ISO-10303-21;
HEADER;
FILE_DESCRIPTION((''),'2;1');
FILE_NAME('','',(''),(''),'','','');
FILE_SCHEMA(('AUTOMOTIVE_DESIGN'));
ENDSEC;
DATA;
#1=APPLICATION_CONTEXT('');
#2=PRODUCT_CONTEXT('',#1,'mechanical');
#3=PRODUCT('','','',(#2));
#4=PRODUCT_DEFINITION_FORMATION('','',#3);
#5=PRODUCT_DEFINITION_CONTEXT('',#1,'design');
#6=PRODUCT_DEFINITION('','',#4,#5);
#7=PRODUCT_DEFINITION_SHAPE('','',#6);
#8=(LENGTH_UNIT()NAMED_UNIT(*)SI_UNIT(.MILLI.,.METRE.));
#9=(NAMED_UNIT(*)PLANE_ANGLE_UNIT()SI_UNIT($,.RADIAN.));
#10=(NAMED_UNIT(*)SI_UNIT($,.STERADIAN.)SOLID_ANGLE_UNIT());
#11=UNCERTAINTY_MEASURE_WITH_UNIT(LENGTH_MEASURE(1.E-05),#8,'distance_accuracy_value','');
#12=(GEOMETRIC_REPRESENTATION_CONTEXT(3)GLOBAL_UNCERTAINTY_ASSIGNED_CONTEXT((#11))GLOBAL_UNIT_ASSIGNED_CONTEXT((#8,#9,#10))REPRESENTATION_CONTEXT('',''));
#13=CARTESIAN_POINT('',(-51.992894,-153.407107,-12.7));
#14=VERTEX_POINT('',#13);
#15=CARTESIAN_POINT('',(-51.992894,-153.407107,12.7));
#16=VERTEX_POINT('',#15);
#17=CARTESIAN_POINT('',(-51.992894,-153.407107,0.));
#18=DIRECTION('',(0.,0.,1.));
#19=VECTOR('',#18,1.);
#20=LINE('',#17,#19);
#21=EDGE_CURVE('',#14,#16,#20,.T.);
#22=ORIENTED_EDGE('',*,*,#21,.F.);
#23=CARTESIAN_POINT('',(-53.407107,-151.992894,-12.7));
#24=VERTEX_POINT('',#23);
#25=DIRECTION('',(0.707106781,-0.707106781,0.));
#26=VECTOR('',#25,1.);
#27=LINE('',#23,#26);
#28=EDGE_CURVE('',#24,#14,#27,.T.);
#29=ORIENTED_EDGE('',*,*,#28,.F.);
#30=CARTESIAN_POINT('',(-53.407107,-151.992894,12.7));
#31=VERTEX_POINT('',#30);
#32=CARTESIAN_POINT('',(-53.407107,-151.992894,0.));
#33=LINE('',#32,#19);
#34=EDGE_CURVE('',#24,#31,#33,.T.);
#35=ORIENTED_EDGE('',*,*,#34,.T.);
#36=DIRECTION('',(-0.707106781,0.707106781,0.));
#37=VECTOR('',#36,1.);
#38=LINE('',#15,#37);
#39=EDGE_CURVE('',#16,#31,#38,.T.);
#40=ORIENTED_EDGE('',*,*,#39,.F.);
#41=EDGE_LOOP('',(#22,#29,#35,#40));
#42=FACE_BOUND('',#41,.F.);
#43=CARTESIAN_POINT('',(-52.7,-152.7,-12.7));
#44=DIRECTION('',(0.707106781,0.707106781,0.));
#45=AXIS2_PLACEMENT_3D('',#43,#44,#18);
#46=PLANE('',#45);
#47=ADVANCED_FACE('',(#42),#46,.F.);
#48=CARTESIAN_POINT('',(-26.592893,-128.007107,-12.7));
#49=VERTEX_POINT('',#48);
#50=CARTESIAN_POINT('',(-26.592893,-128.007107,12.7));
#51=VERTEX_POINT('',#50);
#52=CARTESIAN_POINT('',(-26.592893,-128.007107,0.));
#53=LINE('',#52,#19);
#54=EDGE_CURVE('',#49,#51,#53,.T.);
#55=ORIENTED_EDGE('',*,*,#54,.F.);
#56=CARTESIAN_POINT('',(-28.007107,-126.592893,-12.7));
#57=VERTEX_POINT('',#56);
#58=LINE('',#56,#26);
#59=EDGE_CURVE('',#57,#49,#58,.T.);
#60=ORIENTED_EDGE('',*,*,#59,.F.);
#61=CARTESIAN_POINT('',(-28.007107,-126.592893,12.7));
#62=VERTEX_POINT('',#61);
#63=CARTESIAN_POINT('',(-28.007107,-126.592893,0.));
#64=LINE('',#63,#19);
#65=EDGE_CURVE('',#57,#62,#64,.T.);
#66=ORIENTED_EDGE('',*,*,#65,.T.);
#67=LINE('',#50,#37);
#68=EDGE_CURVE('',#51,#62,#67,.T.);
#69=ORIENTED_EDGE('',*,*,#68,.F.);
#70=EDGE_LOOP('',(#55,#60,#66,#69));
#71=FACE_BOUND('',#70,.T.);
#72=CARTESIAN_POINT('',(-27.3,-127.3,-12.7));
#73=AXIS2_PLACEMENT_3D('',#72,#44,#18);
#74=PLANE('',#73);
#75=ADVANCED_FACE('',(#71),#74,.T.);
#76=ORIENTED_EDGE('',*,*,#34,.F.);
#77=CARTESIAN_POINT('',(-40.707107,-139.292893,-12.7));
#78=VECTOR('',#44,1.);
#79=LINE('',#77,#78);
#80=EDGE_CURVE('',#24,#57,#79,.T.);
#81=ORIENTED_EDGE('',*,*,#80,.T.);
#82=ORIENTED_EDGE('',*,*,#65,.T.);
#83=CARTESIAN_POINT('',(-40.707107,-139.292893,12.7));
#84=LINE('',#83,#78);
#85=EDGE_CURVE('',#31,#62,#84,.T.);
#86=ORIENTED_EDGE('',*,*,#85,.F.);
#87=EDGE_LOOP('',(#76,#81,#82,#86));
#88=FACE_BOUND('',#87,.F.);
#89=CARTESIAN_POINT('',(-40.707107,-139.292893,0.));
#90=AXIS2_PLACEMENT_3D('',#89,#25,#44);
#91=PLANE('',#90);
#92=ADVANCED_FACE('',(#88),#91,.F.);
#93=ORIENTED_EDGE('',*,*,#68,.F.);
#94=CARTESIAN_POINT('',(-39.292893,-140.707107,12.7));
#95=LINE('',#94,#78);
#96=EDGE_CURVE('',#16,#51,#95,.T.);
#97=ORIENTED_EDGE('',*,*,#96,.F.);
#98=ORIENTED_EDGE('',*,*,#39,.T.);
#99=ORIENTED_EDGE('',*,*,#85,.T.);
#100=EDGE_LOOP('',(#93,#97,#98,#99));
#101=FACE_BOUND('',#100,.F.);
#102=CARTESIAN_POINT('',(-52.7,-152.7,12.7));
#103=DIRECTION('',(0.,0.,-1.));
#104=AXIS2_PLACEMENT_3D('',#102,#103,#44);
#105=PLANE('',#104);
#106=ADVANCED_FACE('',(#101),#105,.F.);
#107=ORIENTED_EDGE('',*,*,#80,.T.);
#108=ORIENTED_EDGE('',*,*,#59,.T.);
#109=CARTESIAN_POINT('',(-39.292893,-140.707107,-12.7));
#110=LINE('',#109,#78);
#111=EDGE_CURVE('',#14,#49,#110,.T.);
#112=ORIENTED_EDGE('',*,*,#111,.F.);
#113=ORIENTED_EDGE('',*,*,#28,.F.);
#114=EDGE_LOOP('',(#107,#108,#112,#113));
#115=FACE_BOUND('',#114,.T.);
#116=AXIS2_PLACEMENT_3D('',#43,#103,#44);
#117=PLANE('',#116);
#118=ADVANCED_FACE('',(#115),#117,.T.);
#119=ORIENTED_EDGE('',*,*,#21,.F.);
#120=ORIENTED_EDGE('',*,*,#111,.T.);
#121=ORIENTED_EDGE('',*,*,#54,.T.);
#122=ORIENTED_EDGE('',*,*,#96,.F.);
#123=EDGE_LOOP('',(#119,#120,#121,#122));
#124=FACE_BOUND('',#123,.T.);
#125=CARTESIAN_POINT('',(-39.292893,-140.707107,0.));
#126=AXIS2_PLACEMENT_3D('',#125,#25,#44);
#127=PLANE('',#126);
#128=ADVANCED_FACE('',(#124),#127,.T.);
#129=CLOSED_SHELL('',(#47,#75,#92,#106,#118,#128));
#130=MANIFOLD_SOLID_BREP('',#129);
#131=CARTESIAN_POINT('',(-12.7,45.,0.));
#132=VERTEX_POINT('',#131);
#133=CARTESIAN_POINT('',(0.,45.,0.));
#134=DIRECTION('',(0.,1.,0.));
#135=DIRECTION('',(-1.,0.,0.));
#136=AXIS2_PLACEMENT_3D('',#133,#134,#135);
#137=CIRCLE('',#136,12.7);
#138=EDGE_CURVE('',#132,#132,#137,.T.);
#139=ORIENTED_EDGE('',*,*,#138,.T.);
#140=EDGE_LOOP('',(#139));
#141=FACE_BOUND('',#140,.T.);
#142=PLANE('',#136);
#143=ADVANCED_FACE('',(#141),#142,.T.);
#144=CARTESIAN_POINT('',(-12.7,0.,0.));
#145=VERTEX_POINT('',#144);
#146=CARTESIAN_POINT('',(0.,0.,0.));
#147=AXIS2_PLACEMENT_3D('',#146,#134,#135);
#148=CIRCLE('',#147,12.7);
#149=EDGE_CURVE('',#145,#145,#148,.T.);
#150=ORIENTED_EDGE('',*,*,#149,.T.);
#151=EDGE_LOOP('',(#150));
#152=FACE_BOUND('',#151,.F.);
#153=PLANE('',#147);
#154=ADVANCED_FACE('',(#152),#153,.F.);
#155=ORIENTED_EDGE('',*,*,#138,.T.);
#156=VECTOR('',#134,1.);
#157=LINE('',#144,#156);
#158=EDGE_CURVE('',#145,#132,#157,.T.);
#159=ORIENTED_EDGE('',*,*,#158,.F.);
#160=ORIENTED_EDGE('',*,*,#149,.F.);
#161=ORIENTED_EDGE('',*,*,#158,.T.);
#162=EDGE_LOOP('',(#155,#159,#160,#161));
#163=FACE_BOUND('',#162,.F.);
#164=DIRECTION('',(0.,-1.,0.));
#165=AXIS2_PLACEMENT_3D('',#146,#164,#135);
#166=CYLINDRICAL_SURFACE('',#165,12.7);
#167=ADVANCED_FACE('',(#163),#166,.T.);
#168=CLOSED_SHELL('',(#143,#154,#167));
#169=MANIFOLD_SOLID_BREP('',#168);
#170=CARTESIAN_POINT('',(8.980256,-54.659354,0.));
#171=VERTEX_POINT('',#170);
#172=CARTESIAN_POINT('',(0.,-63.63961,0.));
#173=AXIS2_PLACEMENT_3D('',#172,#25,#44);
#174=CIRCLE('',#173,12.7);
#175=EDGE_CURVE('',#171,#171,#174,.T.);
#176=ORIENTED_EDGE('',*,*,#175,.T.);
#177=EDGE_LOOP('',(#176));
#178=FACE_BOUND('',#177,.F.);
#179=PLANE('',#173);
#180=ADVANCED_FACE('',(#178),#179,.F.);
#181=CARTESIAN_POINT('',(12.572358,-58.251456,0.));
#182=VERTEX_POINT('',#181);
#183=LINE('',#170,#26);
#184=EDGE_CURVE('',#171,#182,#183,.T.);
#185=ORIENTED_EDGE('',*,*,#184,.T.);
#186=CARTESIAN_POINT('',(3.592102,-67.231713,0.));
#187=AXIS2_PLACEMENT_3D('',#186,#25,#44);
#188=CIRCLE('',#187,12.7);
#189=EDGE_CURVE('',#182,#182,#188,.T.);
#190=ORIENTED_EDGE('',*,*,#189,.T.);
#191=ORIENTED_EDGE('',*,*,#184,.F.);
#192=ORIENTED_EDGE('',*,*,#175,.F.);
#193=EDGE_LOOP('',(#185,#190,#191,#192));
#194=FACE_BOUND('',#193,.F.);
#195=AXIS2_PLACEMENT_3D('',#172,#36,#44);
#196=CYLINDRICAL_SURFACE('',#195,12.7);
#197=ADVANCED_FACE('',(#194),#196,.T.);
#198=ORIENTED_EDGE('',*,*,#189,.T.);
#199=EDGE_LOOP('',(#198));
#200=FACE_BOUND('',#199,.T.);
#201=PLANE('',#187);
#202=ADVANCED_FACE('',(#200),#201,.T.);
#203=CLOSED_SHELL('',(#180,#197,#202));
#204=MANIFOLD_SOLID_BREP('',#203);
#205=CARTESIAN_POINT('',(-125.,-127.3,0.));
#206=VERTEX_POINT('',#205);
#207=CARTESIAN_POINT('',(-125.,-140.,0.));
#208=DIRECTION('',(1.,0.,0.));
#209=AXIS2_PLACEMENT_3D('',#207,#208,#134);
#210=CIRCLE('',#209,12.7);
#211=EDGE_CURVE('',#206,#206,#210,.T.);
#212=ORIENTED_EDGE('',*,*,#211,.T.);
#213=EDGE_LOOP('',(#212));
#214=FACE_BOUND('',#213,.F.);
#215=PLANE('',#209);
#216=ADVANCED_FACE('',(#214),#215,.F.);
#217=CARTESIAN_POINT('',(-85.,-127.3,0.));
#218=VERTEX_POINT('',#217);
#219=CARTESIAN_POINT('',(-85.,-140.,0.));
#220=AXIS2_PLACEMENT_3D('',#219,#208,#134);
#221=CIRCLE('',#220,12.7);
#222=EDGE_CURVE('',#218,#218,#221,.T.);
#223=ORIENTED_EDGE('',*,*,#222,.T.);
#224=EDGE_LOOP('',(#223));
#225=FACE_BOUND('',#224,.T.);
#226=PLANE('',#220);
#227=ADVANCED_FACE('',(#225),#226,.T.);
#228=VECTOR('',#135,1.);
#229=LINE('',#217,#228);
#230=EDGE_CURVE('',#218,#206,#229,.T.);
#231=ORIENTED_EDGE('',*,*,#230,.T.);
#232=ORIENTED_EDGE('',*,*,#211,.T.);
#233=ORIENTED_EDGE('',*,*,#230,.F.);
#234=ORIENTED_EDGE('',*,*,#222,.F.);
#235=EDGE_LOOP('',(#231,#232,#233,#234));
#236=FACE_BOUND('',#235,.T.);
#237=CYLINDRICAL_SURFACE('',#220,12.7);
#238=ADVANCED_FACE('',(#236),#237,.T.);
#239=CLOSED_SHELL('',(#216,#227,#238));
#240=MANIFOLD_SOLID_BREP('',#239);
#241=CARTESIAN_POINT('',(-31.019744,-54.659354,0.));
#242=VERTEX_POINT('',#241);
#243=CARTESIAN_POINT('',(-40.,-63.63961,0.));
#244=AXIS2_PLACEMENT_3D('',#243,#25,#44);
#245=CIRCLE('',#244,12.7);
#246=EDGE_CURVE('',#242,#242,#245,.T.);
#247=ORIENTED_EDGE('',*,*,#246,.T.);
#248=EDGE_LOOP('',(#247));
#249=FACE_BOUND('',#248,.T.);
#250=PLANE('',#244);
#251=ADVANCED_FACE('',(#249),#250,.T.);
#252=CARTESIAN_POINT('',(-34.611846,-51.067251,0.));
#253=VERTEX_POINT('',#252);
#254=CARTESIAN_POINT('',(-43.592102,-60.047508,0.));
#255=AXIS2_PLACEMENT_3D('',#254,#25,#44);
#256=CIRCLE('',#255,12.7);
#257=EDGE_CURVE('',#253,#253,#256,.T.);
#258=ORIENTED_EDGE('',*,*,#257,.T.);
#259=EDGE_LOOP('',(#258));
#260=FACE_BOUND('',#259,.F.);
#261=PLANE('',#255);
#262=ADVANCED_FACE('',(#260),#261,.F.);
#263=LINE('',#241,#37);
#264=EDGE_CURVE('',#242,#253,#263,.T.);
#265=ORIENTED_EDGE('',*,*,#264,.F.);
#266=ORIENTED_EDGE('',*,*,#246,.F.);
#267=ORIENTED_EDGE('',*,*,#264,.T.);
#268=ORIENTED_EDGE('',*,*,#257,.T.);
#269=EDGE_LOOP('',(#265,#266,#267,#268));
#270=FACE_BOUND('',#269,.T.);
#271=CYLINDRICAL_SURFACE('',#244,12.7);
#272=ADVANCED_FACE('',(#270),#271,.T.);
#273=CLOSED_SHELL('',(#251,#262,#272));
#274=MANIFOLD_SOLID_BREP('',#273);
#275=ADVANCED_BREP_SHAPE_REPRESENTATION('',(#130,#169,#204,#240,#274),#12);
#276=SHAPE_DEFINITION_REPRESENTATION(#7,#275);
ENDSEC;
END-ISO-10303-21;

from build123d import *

# Parameters (mm, degrees)
F2_R      = 12.7
F3_DEPTH  = 5.08
F5_R      = 12.7
F6_DEPTH  = 5.08
F8_W      = 35.921025
F8_H      = 25.4
F9_DEPTH  = 1
F11_R     = 12.7
F12_DEPTH = 45
F14_R     = 12.7
F15_DEPTH = 40


with BuildPart() as f3:
    # F2 (on face) → F3 (new body)
    with BuildSketch(Plane(origin=(31.819805, -31.819805, 0), x_dir=(0.707107, 0.707107, 0), z_dir=(0.707107, -0.707107, 0))):
        with Locations((-45, 0)):
            Circle(F2_R)
    extrude(amount=F3_DEPTH)


with BuildPart() as f6:
    # F5 (on face) → F6 (new body)
    with BuildSketch(Plane(origin=(11.819805, -11.819805, 0), x_dir=(0.707107, 0.707107, 0), z_dir=(0.707107, -0.707107, 0))):
        with Locations((-73.284271, 0)):
            Circle(F5_R)
    extrude(amount=-F6_DEPTH)


with BuildPart() as f9:
    # F8 (on face) → F9 (new body, symmetric)
    with BuildSketch(Plane(origin=(50, -50, 0), x_dir=(0.707107, 0.707107, 0), z_dir=(0.707107, -0.707107, 0))):
        with Locations((-127.279221, 0)):
            Rectangle(F8_W, F8_H)
    extrude(amount=F9_DEPTH, both=True)


with BuildPart() as f12:
    # F11 (on face) → F12 (new body, through all)
    with BuildSketch(Plane(origin=(0, 0, 0), x_dir=(-1, 0, 0), z_dir=(0, 1, 0))):
        Circle(F11_R)
    extrude(amount=F12_DEPTH)


with BuildPart() as f15:
    # F14 (on face) → F15 (new body, through all)
    with BuildSketch(Plane.YZ.offset(-85)):
        with Locations((-140, 0)):
            Circle(F14_R)
    extrude(amount=-F15_DEPTH)


solid = Compound([f3.part, f6.part, f9.part, f12.part, f15.part])
